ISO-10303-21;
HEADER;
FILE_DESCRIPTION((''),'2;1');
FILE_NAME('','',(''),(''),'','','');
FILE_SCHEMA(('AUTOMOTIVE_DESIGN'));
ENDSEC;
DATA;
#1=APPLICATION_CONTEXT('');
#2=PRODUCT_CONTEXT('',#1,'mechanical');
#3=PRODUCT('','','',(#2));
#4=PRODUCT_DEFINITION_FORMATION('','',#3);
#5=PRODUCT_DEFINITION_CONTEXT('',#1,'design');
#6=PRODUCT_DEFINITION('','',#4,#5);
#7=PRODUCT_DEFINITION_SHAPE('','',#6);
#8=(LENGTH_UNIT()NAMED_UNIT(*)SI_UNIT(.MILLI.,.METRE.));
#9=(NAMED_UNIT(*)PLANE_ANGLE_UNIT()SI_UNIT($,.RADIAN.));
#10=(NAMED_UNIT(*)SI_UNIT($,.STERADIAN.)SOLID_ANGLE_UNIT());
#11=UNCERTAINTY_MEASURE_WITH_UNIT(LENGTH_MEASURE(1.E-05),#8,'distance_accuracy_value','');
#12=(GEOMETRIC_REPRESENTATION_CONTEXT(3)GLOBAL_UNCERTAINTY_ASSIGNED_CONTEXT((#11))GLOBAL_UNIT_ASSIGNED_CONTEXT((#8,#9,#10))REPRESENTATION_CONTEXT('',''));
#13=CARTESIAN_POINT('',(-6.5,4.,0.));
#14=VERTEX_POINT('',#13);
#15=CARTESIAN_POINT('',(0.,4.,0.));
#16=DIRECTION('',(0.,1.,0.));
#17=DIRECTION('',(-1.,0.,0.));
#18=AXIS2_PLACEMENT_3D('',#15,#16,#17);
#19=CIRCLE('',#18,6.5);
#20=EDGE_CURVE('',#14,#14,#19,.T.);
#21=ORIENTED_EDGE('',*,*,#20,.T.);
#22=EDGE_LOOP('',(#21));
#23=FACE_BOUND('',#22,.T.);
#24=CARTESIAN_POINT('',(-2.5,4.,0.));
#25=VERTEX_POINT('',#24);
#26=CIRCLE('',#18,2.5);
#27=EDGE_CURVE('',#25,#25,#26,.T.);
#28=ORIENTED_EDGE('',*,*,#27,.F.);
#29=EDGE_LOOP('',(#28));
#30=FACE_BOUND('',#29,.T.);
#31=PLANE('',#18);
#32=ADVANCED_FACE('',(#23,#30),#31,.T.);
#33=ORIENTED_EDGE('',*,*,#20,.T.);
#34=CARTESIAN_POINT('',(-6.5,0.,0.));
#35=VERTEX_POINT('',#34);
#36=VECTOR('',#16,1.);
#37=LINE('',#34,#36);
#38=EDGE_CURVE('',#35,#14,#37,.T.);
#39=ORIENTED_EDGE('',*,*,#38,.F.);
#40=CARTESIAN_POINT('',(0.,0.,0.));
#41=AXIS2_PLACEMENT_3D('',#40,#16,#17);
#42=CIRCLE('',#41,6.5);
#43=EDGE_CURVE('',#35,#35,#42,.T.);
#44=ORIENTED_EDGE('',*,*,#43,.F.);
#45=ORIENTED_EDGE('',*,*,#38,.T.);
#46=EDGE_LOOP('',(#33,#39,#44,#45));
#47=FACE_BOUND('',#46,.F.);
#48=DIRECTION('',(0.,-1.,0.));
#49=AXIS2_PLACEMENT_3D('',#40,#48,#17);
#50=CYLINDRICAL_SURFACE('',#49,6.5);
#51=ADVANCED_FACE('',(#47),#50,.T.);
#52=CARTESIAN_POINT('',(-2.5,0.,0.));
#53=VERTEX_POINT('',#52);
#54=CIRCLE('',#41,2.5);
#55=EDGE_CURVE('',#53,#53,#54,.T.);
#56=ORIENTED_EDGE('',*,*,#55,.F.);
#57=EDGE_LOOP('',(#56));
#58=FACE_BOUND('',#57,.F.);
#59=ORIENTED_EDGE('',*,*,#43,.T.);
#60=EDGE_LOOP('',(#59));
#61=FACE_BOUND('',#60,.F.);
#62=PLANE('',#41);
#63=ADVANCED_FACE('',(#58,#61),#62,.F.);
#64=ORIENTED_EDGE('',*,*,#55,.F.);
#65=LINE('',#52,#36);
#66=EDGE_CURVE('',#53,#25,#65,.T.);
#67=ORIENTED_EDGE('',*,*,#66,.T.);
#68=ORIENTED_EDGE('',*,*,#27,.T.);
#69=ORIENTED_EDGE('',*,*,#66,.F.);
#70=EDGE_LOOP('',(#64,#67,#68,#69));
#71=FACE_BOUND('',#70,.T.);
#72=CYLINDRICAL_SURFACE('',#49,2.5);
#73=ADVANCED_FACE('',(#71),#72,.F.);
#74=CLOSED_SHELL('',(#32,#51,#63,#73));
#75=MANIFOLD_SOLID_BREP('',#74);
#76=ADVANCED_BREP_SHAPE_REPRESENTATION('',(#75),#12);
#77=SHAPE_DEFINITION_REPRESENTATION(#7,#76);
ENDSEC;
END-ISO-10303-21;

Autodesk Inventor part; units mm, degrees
ref_plane "YZ Plane" through (0, 0, 0) normal (1, 0, 0) x (0, 1, 0)
ref_plane "XZ Plane" through (0, 0, 0) normal (0, 1, 0) x (-1, 0, 0)
ref_plane "XY Plane" through (0, 0, 0) normal (0, 0, 1) x (1, 0, 0)
sketch "Sketch1" plane through (0, 0, 0) normal (0, 1, 0) x (-1, 0, 0)
  circle A0 centre (0, 0) radius 2.5
  circle A1 centre (0, 0) radius 6.5
  dimension "d0" = 5
  dimension "d1" = 13
extrude "Extrusion1" add sketch "Sketch1" along normal blind 4
properties part number "695_bearing" material "Aluminum 6061"
